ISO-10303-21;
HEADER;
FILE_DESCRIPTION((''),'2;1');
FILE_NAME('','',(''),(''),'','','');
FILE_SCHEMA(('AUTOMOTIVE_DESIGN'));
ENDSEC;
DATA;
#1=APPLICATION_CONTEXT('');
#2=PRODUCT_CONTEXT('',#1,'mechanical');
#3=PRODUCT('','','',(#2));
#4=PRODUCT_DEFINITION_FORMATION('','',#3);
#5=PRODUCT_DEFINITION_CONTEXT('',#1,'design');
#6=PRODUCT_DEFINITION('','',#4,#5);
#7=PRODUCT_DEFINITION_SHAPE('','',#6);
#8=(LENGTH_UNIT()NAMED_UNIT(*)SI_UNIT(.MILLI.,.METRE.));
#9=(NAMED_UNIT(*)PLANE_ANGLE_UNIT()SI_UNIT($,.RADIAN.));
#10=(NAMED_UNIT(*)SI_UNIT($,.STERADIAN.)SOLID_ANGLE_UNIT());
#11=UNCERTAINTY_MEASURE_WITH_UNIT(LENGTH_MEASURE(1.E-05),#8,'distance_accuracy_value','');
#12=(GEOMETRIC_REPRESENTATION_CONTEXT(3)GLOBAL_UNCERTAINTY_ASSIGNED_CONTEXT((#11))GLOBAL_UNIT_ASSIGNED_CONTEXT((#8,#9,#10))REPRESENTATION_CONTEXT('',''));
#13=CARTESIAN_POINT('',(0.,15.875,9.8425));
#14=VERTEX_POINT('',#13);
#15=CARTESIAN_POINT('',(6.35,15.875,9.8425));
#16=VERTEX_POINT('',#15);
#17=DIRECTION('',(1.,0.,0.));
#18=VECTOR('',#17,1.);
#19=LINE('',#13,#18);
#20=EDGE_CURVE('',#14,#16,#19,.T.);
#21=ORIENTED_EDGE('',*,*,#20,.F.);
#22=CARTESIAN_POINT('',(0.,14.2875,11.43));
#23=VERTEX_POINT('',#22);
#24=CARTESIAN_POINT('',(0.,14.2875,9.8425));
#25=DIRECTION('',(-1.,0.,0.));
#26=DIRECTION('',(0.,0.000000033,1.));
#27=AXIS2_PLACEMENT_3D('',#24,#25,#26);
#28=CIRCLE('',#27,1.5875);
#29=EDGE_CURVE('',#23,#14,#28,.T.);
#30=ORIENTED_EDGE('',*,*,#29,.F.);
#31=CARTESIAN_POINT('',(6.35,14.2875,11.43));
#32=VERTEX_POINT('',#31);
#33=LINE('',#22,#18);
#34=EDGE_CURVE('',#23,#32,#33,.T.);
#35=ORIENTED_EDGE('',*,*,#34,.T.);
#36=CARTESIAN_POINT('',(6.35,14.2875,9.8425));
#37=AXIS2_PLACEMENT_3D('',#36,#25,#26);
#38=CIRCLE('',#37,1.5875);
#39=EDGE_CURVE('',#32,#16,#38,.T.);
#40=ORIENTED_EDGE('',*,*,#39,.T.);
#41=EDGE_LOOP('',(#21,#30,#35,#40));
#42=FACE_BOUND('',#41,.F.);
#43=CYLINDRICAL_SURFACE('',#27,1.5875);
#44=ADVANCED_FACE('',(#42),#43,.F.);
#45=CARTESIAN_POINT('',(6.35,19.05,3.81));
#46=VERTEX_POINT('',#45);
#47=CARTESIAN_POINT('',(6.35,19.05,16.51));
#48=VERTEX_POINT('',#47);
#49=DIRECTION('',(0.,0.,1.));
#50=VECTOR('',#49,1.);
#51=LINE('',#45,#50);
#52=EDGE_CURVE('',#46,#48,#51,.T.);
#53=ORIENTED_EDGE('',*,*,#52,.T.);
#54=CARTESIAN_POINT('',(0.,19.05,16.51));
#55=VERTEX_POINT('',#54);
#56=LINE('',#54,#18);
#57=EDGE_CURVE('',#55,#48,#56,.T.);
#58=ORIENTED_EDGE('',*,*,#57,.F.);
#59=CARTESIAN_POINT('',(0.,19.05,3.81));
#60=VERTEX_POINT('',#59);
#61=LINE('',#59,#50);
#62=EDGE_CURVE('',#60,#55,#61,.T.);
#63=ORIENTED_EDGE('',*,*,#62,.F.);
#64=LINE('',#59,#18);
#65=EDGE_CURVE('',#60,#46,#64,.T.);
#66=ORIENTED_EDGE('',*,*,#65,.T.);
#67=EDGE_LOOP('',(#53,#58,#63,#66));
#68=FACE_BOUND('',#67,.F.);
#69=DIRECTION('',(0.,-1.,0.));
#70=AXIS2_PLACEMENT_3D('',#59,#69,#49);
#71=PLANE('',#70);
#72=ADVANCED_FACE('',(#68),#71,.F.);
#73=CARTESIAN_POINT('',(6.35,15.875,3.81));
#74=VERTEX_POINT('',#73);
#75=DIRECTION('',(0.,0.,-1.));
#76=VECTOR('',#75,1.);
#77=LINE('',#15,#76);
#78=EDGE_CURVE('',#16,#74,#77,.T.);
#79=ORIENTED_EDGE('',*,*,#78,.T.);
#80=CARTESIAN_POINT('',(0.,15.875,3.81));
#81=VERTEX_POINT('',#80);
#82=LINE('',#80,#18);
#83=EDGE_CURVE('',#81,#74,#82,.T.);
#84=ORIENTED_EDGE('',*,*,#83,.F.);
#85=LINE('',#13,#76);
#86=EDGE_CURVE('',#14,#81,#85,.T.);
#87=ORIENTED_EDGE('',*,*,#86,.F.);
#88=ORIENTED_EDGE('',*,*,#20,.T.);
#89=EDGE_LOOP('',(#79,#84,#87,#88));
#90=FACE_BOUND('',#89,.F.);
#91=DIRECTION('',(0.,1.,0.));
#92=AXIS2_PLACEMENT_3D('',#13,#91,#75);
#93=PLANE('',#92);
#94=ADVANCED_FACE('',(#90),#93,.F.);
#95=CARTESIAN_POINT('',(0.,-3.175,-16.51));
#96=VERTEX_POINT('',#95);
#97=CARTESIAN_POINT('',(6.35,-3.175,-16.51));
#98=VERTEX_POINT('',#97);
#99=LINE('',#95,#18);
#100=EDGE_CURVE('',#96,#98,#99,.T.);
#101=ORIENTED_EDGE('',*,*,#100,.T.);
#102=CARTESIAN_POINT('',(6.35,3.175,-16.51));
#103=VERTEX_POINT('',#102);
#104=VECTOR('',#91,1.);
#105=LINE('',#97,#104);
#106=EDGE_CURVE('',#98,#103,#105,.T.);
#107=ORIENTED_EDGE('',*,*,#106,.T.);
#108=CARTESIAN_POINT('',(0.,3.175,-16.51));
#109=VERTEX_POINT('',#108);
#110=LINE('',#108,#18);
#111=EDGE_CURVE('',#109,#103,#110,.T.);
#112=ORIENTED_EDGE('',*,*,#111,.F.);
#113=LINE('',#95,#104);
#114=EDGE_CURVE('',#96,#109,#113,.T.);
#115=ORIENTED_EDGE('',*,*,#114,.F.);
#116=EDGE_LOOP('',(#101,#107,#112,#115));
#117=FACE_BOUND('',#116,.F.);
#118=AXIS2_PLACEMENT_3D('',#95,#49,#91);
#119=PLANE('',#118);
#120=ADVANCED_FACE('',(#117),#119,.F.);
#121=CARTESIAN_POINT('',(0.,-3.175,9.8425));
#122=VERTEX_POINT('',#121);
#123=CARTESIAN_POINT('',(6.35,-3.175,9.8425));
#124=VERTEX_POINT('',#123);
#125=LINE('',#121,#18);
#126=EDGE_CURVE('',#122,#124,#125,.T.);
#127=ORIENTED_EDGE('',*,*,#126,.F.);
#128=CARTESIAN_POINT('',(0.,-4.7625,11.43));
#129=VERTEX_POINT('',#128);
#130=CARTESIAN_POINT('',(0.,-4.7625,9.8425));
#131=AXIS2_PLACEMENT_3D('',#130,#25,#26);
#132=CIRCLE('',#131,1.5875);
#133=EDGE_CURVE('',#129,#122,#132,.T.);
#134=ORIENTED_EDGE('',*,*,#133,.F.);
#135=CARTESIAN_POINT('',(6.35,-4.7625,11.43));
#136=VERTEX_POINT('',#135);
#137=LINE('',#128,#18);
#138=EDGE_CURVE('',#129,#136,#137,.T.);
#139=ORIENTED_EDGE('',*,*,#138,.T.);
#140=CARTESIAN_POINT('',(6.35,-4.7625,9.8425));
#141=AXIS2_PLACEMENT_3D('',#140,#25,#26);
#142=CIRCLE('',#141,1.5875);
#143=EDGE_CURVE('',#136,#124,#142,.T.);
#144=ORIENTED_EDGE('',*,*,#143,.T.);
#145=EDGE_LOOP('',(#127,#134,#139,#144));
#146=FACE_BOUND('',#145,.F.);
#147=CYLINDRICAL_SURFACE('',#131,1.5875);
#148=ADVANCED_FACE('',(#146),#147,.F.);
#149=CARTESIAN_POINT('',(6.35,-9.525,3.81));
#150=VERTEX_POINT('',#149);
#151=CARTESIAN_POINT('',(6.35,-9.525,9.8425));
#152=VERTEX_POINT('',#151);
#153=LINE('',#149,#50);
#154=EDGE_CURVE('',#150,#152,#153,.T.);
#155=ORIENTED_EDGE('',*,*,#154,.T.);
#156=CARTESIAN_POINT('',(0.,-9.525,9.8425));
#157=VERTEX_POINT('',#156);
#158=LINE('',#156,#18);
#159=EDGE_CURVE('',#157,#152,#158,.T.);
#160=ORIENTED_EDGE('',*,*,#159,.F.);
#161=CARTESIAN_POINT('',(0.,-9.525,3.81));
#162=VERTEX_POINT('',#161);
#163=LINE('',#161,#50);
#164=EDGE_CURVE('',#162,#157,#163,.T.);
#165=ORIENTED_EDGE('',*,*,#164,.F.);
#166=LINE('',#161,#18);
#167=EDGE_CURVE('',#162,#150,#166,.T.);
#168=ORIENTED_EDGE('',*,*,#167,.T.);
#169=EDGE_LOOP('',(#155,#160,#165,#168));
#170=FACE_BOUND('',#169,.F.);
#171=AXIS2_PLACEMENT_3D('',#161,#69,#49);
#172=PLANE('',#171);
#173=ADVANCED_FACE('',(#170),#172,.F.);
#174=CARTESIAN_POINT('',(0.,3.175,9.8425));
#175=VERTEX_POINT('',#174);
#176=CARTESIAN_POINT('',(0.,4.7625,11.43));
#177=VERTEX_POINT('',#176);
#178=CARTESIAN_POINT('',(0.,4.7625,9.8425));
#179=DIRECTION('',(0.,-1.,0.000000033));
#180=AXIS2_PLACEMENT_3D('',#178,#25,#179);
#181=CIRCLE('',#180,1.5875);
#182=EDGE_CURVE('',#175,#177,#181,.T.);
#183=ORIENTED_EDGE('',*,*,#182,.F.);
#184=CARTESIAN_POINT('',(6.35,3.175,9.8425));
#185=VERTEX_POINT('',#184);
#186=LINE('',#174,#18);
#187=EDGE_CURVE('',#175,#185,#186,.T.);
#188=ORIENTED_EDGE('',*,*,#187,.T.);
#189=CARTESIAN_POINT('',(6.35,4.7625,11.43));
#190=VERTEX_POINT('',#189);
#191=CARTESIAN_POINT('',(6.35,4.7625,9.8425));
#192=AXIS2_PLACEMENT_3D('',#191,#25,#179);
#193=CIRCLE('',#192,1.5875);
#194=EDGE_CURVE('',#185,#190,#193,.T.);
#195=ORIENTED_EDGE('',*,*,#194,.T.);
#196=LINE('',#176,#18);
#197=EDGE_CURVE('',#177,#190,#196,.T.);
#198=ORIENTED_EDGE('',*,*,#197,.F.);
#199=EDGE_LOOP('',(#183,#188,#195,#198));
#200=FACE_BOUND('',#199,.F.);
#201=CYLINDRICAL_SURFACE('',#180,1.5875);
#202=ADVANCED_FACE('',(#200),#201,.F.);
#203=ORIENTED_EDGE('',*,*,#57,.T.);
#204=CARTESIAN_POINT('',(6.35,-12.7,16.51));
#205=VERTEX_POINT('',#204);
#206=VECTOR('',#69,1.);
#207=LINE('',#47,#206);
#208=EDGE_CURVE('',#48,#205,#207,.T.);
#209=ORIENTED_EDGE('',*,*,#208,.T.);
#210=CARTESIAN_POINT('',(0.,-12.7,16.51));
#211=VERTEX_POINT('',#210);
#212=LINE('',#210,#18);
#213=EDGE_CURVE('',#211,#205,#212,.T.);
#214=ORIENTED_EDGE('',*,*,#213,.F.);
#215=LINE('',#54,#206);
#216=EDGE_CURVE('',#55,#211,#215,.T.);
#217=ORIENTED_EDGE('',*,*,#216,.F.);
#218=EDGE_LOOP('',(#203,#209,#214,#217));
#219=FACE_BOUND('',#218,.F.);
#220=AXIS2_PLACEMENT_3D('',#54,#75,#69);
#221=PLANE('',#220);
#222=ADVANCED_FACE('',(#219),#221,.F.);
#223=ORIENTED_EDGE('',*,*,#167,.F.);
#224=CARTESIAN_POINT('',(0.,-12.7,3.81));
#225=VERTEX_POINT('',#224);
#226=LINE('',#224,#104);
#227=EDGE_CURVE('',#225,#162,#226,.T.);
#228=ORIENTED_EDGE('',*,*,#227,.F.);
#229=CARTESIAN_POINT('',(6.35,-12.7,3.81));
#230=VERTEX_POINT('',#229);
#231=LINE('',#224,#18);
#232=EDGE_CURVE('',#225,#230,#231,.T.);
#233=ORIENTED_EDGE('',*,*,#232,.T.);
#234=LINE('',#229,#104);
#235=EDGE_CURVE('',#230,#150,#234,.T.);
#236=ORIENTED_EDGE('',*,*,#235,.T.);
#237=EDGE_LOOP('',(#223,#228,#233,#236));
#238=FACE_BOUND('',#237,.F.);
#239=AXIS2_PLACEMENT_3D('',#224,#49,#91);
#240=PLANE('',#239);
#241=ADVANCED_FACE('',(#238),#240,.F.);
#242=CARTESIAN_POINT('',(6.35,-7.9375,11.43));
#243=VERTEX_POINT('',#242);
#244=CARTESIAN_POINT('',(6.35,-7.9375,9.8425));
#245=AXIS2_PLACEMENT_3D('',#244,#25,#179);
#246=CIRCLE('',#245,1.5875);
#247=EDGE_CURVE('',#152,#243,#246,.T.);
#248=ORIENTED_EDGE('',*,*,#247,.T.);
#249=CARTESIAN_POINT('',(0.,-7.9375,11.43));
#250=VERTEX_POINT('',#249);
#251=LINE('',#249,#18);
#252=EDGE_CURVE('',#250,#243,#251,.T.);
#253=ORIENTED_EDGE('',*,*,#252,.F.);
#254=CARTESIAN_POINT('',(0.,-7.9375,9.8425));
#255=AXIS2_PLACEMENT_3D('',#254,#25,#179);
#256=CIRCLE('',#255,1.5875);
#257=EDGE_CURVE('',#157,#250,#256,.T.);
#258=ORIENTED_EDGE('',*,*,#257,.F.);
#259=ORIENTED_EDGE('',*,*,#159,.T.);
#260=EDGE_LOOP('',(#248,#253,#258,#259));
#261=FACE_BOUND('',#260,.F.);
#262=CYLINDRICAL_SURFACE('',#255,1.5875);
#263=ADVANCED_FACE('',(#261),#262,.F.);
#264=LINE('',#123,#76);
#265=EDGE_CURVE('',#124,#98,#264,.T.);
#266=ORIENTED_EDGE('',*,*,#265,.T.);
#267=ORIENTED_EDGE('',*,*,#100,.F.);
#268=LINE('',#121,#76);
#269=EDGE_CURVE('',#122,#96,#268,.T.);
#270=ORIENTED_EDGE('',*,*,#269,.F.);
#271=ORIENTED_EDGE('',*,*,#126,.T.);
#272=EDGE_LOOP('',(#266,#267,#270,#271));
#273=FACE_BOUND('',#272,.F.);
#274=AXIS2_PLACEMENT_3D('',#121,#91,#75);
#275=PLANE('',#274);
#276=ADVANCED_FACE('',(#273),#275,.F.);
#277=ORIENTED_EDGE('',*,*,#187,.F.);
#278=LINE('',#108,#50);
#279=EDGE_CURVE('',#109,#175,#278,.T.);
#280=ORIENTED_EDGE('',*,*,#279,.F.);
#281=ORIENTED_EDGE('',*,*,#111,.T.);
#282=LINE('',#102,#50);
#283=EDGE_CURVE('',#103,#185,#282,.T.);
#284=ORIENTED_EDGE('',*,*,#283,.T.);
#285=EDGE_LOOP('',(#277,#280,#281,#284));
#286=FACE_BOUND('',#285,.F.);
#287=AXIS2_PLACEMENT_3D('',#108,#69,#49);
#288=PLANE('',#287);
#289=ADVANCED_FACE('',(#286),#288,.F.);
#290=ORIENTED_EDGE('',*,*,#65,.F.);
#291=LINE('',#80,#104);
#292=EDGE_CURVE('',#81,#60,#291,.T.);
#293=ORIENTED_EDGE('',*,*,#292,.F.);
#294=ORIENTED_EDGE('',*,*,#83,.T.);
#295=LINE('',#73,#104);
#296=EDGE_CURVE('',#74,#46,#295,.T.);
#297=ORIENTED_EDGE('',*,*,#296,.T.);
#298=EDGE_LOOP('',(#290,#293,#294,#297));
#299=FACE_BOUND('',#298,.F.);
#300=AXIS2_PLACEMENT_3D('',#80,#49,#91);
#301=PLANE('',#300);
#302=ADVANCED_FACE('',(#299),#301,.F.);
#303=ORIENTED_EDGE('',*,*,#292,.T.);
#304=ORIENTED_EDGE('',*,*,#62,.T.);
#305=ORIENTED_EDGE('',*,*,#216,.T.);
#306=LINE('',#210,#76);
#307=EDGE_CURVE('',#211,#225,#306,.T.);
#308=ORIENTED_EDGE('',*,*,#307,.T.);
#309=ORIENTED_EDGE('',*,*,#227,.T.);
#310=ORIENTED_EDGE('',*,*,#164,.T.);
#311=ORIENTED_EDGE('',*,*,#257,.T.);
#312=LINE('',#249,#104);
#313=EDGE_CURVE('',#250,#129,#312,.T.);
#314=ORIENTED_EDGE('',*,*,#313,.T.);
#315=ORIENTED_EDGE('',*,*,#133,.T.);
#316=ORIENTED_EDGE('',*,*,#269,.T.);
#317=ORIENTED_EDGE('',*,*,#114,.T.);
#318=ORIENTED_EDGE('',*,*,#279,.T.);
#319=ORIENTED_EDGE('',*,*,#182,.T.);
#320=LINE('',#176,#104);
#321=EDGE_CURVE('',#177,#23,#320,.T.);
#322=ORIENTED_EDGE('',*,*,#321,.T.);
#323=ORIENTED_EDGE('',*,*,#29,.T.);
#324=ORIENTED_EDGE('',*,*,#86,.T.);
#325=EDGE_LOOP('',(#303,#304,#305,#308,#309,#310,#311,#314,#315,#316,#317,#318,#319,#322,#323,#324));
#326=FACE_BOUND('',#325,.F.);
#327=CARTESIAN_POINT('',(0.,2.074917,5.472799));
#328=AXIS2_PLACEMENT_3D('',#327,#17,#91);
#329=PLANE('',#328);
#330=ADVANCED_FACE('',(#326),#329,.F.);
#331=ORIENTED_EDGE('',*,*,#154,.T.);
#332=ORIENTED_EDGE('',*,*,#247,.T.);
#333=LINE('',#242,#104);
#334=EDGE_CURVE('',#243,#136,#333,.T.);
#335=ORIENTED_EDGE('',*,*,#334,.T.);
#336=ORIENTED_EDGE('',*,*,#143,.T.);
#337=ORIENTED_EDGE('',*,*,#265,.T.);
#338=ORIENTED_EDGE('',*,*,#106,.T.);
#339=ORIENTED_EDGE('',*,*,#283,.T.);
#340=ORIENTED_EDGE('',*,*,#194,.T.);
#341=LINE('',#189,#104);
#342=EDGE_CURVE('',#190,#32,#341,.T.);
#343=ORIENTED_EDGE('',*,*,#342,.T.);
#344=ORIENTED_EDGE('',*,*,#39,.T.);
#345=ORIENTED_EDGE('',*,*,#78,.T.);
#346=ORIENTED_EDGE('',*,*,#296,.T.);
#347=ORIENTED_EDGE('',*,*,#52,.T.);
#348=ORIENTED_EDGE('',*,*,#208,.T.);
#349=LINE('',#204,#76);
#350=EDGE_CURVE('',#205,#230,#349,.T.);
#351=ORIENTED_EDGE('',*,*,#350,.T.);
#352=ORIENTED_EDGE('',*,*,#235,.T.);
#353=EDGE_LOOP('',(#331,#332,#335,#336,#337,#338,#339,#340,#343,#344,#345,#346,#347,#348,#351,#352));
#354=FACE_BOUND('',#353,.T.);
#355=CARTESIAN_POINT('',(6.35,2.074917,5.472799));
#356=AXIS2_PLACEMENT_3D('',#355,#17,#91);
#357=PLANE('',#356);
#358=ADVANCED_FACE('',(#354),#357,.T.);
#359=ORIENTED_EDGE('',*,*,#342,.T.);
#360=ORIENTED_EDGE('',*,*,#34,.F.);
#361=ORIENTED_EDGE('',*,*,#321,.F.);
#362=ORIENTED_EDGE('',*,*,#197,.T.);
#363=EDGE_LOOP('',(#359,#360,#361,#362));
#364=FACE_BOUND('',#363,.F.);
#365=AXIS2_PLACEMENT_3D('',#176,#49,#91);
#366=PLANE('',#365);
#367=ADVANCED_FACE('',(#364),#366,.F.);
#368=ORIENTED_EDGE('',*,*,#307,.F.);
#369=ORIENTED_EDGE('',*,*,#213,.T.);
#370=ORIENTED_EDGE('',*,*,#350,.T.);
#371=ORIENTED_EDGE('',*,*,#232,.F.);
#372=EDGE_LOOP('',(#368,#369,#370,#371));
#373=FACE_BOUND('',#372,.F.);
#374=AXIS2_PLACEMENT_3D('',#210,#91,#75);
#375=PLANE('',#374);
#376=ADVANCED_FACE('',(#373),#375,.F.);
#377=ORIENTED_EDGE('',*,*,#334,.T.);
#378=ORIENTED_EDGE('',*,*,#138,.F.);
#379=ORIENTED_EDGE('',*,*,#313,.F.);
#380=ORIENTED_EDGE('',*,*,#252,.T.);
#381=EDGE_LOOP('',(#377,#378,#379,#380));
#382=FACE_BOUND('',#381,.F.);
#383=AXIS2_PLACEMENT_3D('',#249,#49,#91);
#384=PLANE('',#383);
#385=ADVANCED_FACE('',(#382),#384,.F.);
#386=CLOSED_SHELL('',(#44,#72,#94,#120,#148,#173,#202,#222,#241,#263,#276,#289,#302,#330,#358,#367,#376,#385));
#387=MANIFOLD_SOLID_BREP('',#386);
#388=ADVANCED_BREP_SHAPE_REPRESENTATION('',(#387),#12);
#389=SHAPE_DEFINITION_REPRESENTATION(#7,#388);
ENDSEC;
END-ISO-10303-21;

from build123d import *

# Parameters (mm, degrees)
F1_DEPTH = 6.35


with BuildPart() as f1:
    # F0 (on Right) → F1 (new body)
    with BuildSketch(Plane.YZ):
        with BuildLine():
            Line((3.175, 16.51), (-3.175, 16.51))
            Line((-3.175, 16.51), (-9.525, 16.51))
            Line((-9.525, 16.51), (-12.7, 16.51))
            Line((-12.7, 16.51), (-12.7, 3.81))
            Line((-12.7, 3.81), (-9.525, 3.81))
            Line((-9.525, 3.81), (-9.525, 9.8425))
            ThreePointArc((-9.525, 9.8425), (-9.060032, 10.965032), (-7.9375, 11.43))
            Line((-7.9375, 11.43), (-4.7625, 11.43))
            ThreePointArc((-4.7625, 11.43), (-3.639968, 10.965032), (-3.175, 9.8425))
            Line((-3.175, 9.8425), (-3.175, -16.51))
            Line((-3.175, -16.51), (3.175, -16.51))
            Line((3.175, -16.51), (3.175, 9.8425))
            ThreePointArc((3.175, 9.8425), (3.639968, 10.965032), (4.7625, 11.43))
            Line((4.7625, 11.43), (14.2875, 11.43))
            ThreePointArc((14.2875, 11.43), (15.410032, 10.965032), (15.875, 9.8425))
            Line((15.875, 9.8425), (15.875, 3.81))
            Line((15.875, 3.81), (19.05, 3.81))
            Line((19.05, 3.81), (19.05, 16.51))
            Line((19.05, 16.51), (15.875, 16.51))
            Line((15.875, 16.51), (3.175, 16.51))
        make_face()
    extrude(amount=F1_DEPTH)


solid = f1.part
